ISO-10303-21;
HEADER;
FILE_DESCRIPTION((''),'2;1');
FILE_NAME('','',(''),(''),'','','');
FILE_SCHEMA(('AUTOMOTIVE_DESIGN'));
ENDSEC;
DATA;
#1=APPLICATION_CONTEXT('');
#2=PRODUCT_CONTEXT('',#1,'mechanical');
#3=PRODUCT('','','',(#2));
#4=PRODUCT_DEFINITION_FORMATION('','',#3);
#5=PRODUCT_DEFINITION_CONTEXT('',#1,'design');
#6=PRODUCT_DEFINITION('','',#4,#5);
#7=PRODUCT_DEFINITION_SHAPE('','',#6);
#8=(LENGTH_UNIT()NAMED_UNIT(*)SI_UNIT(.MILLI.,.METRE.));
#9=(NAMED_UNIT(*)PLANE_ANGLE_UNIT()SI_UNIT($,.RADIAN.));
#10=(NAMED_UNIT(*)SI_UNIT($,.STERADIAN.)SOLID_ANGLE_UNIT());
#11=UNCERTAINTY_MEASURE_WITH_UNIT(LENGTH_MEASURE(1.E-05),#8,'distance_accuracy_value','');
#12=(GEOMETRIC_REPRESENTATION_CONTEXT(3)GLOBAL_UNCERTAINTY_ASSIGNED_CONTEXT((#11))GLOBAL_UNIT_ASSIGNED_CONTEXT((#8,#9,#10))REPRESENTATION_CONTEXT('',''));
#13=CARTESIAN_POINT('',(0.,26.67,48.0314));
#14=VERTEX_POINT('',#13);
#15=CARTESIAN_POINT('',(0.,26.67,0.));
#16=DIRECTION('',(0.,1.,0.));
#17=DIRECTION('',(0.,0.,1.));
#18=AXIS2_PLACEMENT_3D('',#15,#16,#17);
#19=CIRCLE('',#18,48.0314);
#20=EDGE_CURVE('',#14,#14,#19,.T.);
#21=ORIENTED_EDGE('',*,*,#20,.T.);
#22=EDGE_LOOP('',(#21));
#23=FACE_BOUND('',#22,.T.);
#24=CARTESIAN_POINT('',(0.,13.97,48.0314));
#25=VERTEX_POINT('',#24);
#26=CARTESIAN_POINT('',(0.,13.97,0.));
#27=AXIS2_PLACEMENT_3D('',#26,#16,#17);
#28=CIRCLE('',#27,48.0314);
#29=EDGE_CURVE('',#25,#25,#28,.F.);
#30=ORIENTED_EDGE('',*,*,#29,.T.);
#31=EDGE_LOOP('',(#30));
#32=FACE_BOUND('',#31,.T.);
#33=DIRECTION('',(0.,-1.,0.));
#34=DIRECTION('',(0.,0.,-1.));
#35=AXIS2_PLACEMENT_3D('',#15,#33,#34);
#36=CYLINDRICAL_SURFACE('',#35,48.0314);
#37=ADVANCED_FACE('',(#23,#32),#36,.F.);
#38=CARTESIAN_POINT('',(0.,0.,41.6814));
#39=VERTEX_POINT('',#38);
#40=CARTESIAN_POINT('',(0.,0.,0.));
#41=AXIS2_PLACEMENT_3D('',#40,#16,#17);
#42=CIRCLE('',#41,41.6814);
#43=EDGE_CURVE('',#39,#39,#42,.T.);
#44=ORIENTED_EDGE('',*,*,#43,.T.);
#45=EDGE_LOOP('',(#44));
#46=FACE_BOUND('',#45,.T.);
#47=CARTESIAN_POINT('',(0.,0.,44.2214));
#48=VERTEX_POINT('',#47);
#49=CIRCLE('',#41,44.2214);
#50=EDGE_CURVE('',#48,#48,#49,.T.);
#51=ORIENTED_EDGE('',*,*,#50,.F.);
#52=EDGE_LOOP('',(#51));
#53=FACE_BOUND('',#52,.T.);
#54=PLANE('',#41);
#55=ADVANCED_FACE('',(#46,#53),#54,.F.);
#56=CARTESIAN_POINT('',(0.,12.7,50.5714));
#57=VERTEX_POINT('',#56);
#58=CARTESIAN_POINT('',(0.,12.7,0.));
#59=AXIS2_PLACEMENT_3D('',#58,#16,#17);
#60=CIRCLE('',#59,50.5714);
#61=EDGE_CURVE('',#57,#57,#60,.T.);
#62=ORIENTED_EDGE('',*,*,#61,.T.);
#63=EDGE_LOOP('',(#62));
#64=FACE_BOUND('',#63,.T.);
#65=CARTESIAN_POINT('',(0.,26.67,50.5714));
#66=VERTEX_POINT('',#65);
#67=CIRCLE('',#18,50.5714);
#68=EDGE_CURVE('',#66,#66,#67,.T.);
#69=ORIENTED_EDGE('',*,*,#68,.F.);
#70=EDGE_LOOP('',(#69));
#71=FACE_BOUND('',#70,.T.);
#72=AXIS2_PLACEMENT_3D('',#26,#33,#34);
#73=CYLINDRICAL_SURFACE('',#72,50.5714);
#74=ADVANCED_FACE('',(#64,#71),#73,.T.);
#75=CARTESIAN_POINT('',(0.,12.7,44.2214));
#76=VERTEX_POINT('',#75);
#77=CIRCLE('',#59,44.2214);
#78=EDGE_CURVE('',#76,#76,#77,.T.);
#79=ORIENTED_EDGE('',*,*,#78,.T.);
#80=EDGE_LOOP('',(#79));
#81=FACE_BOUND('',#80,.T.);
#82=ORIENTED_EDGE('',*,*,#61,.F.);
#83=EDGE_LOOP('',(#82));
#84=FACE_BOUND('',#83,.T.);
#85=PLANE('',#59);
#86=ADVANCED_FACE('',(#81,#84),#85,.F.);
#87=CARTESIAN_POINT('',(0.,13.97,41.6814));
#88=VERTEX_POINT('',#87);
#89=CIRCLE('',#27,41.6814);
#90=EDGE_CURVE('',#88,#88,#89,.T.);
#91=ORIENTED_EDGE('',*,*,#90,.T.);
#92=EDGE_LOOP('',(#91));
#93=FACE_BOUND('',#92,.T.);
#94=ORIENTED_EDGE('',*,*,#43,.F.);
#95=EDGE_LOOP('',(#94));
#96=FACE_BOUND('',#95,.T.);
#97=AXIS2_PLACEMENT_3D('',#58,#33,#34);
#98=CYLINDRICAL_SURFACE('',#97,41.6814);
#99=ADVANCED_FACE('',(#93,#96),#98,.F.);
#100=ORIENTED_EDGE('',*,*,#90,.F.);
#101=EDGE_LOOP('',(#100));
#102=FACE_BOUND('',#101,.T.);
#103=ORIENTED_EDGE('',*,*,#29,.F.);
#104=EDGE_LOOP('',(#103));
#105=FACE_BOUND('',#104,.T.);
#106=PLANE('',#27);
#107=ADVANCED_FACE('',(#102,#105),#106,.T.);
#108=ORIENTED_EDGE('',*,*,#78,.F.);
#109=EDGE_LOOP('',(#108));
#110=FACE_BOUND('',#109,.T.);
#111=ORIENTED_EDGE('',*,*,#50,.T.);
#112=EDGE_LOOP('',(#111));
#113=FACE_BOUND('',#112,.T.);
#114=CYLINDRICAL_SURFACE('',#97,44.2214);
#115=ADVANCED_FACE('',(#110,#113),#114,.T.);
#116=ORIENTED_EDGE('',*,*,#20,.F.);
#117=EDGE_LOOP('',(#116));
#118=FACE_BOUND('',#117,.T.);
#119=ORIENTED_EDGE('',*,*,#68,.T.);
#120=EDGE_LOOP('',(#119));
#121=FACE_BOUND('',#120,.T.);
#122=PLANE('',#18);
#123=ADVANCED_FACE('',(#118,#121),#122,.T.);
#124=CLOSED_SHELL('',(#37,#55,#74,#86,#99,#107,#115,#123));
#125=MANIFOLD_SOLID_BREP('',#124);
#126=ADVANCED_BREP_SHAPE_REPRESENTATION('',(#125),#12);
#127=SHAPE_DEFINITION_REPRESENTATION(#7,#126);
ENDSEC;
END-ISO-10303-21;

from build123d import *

# Parameters (mm, degrees)
SKETCH1_R           = 44.2214
SKETCH1_R_2         = 41.6814
BOSS_EXTRUDE1_DEPTH = 12.7
SKETCH2_R           = 50.5714
SKETCH2_R_2         = 41.6814
BOSS_EXTRUDE2_DEPTH = 1.27
SKETCH3_R           = 50.5714
SKETCH3_R_2         = 48.0314
BOSS_EXTRUDE3_DEPTH = 12.7


with BuildPart() as part:
    # Sketch1 → Boss-Extrude1 (new body)
    with BuildSketch(Plane(origin=(0, 0, 0), x_dir=(1, 0, 0), z_dir=(0, 1, 0))):
        Circle(SKETCH1_R)
        Circle(SKETCH1_R_2, mode=Mode.SUBTRACT)
    extrude(amount=BOSS_EXTRUDE1_DEPTH)

    # Sketch2 → Boss-Extrude2 (add)
    with BuildSketch(Plane(origin=(0, 12.7, 0), x_dir=(1, 0, 0), z_dir=(0, 1, 0))):
        Circle(SKETCH2_R)
        Circle(SKETCH2_R_2, mode=Mode.SUBTRACT)
    extrude(amount=BOSS_EXTRUDE2_DEPTH)

    # Sketch3 → Boss-Extrude3 (add)
    with BuildSketch(Plane(origin=(0, 13.97, 0), x_dir=(1, 0, 0), z_dir=(0, 1, 0))):
        Circle(SKETCH3_R)
        Circle(SKETCH3_R_2, mode=Mode.SUBTRACT)
    extrude(amount=BOSS_EXTRUDE3_DEPTH)


solid = part.part
